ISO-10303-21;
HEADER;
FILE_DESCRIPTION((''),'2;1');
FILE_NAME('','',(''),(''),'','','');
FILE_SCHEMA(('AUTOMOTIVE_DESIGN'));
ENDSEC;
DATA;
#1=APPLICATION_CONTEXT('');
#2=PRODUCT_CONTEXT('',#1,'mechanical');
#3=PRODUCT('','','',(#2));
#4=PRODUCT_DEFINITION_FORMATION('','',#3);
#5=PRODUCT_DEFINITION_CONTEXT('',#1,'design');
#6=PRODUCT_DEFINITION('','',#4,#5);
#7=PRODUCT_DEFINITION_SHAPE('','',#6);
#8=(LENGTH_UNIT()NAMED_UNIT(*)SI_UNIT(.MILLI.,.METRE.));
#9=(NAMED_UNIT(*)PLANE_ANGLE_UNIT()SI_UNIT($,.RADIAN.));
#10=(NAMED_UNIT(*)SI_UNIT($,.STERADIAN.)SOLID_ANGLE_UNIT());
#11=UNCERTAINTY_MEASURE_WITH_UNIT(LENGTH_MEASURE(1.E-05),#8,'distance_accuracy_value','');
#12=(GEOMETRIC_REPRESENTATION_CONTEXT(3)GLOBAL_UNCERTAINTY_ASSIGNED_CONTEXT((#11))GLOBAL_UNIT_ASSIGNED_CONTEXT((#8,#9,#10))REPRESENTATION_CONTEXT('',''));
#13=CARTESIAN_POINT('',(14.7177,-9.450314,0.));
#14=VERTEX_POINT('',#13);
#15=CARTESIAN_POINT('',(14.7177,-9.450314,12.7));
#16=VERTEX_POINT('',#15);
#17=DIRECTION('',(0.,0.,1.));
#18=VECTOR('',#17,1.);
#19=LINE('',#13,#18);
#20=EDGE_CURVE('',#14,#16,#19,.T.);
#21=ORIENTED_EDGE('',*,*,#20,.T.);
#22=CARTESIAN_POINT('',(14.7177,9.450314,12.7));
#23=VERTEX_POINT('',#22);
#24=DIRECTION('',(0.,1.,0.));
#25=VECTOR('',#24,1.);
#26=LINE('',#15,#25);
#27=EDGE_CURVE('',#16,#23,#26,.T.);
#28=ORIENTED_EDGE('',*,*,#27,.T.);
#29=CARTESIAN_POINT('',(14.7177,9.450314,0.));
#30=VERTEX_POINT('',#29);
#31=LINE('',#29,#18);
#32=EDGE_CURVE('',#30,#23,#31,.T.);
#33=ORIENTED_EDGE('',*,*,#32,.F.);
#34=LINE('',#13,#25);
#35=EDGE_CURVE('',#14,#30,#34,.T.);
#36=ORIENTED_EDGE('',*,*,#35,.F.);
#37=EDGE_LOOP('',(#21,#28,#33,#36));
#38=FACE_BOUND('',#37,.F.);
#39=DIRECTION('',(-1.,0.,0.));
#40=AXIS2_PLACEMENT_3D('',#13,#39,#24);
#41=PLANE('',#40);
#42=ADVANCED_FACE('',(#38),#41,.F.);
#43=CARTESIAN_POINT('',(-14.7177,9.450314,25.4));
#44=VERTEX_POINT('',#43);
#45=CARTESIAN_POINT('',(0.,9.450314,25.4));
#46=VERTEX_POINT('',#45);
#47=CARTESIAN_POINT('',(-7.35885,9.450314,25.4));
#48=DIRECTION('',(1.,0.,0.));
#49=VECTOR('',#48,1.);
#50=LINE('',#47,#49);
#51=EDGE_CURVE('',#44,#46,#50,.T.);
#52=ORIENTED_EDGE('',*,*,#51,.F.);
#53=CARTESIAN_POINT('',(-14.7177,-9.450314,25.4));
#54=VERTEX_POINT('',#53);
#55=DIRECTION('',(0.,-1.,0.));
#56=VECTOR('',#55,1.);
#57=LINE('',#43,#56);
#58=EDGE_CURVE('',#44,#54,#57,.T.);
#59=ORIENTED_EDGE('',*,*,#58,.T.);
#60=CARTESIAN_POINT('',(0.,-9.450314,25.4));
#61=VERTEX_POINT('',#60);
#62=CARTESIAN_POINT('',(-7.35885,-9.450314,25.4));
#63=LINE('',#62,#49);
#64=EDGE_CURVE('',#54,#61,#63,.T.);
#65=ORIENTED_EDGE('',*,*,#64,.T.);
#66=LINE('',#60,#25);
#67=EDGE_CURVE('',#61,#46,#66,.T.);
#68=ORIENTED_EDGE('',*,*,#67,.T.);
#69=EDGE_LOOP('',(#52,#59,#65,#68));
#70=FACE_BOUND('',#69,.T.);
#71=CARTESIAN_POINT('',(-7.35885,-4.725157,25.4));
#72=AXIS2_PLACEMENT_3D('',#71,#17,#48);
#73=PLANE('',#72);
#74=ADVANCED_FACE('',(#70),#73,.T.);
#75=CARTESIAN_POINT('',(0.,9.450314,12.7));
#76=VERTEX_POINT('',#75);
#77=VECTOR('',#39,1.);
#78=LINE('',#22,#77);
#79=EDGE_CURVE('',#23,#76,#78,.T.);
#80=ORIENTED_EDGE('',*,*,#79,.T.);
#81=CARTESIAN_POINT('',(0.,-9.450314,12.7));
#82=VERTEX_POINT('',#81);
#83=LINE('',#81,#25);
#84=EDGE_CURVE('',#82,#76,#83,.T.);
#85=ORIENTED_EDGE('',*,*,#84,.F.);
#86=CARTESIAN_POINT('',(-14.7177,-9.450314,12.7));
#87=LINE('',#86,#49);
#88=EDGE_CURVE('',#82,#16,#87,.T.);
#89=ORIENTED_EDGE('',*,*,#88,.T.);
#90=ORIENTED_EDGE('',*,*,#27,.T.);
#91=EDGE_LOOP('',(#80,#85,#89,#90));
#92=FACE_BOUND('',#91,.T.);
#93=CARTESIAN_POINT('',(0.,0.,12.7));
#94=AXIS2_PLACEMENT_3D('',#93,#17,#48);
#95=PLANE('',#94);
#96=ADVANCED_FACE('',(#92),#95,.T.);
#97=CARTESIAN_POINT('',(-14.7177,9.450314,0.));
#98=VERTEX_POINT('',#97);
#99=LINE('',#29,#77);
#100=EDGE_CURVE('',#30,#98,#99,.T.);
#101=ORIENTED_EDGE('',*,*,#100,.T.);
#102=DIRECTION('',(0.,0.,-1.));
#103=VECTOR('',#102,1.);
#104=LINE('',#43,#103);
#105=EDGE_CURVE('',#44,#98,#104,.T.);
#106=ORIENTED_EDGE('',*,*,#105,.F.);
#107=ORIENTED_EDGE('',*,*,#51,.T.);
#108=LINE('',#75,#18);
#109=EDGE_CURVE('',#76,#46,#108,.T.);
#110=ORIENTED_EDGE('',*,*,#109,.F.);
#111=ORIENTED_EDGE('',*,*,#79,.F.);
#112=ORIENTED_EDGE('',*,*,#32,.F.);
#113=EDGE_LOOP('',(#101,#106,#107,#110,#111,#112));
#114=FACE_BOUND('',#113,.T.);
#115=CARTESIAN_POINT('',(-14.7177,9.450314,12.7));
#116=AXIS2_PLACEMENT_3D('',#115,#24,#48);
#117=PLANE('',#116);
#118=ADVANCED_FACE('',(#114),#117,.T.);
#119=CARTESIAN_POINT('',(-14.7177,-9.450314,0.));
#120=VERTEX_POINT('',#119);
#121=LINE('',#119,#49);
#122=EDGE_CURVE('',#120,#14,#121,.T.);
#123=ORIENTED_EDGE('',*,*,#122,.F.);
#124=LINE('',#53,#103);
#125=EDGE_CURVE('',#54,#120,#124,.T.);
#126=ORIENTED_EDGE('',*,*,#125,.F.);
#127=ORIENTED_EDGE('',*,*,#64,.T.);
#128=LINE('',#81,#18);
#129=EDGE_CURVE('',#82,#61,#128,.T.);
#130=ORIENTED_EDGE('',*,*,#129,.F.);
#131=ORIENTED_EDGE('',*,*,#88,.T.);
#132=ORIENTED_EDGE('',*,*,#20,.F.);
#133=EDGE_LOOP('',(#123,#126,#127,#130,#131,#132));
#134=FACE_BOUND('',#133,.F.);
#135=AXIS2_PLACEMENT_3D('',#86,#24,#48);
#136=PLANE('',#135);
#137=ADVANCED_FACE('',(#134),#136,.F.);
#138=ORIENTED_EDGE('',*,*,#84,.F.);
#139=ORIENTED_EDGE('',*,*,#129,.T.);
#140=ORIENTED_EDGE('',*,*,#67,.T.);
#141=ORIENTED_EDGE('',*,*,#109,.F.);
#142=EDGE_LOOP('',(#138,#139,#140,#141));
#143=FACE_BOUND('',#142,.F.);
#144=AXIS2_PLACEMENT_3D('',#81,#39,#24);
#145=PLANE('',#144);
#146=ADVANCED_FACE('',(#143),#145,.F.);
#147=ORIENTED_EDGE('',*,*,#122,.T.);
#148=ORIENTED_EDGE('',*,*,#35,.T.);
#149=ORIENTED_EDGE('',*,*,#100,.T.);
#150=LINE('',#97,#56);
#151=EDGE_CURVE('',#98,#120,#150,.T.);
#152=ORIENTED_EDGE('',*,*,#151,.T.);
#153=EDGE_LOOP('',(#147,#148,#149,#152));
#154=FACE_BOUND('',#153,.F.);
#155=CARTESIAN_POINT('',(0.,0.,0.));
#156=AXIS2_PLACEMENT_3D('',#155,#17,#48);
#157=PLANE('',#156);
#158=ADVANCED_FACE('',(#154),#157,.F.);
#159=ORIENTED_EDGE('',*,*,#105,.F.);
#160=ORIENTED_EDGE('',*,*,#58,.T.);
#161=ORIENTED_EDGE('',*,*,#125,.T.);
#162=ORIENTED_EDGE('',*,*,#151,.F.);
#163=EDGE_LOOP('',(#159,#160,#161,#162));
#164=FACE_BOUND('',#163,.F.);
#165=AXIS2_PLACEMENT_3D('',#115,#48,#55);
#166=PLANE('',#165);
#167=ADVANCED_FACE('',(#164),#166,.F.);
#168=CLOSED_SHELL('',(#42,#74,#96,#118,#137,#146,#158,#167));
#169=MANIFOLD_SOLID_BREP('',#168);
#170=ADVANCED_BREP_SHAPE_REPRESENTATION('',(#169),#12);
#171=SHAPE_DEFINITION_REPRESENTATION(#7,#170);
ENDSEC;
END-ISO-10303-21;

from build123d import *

# Parameters (mm, degrees)
F1_DEPTH = 12.7
F2_W     = 14.7177
F2_H     = 9.450314
F3_DEPTH = 12.7


with BuildPart() as f1:
    # F0 (on Top) → F1 (new body)
    with BuildSketch(Plane.XY):
        Polygon((-14.7177, -9.450314), (14.7177, -9.450314), (14.7177, 9.450314), (-14.7177, 9.450314), (-14.7177, 0), align=None)
    extrude(amount=F1_DEPTH)

    # F2 (on face) → F3 (join)
    with BuildSketch(Plane.XY.offset(12.7)):
        with Locations((-7.35885, -4.725157)):
            Rectangle(F2_W, F2_H)
        with Locations((-7.35885, 4.725157)):
            Rectangle(F2_W, F2_H)
    extrude(amount=F3_DEPTH)


solid = f1.part
